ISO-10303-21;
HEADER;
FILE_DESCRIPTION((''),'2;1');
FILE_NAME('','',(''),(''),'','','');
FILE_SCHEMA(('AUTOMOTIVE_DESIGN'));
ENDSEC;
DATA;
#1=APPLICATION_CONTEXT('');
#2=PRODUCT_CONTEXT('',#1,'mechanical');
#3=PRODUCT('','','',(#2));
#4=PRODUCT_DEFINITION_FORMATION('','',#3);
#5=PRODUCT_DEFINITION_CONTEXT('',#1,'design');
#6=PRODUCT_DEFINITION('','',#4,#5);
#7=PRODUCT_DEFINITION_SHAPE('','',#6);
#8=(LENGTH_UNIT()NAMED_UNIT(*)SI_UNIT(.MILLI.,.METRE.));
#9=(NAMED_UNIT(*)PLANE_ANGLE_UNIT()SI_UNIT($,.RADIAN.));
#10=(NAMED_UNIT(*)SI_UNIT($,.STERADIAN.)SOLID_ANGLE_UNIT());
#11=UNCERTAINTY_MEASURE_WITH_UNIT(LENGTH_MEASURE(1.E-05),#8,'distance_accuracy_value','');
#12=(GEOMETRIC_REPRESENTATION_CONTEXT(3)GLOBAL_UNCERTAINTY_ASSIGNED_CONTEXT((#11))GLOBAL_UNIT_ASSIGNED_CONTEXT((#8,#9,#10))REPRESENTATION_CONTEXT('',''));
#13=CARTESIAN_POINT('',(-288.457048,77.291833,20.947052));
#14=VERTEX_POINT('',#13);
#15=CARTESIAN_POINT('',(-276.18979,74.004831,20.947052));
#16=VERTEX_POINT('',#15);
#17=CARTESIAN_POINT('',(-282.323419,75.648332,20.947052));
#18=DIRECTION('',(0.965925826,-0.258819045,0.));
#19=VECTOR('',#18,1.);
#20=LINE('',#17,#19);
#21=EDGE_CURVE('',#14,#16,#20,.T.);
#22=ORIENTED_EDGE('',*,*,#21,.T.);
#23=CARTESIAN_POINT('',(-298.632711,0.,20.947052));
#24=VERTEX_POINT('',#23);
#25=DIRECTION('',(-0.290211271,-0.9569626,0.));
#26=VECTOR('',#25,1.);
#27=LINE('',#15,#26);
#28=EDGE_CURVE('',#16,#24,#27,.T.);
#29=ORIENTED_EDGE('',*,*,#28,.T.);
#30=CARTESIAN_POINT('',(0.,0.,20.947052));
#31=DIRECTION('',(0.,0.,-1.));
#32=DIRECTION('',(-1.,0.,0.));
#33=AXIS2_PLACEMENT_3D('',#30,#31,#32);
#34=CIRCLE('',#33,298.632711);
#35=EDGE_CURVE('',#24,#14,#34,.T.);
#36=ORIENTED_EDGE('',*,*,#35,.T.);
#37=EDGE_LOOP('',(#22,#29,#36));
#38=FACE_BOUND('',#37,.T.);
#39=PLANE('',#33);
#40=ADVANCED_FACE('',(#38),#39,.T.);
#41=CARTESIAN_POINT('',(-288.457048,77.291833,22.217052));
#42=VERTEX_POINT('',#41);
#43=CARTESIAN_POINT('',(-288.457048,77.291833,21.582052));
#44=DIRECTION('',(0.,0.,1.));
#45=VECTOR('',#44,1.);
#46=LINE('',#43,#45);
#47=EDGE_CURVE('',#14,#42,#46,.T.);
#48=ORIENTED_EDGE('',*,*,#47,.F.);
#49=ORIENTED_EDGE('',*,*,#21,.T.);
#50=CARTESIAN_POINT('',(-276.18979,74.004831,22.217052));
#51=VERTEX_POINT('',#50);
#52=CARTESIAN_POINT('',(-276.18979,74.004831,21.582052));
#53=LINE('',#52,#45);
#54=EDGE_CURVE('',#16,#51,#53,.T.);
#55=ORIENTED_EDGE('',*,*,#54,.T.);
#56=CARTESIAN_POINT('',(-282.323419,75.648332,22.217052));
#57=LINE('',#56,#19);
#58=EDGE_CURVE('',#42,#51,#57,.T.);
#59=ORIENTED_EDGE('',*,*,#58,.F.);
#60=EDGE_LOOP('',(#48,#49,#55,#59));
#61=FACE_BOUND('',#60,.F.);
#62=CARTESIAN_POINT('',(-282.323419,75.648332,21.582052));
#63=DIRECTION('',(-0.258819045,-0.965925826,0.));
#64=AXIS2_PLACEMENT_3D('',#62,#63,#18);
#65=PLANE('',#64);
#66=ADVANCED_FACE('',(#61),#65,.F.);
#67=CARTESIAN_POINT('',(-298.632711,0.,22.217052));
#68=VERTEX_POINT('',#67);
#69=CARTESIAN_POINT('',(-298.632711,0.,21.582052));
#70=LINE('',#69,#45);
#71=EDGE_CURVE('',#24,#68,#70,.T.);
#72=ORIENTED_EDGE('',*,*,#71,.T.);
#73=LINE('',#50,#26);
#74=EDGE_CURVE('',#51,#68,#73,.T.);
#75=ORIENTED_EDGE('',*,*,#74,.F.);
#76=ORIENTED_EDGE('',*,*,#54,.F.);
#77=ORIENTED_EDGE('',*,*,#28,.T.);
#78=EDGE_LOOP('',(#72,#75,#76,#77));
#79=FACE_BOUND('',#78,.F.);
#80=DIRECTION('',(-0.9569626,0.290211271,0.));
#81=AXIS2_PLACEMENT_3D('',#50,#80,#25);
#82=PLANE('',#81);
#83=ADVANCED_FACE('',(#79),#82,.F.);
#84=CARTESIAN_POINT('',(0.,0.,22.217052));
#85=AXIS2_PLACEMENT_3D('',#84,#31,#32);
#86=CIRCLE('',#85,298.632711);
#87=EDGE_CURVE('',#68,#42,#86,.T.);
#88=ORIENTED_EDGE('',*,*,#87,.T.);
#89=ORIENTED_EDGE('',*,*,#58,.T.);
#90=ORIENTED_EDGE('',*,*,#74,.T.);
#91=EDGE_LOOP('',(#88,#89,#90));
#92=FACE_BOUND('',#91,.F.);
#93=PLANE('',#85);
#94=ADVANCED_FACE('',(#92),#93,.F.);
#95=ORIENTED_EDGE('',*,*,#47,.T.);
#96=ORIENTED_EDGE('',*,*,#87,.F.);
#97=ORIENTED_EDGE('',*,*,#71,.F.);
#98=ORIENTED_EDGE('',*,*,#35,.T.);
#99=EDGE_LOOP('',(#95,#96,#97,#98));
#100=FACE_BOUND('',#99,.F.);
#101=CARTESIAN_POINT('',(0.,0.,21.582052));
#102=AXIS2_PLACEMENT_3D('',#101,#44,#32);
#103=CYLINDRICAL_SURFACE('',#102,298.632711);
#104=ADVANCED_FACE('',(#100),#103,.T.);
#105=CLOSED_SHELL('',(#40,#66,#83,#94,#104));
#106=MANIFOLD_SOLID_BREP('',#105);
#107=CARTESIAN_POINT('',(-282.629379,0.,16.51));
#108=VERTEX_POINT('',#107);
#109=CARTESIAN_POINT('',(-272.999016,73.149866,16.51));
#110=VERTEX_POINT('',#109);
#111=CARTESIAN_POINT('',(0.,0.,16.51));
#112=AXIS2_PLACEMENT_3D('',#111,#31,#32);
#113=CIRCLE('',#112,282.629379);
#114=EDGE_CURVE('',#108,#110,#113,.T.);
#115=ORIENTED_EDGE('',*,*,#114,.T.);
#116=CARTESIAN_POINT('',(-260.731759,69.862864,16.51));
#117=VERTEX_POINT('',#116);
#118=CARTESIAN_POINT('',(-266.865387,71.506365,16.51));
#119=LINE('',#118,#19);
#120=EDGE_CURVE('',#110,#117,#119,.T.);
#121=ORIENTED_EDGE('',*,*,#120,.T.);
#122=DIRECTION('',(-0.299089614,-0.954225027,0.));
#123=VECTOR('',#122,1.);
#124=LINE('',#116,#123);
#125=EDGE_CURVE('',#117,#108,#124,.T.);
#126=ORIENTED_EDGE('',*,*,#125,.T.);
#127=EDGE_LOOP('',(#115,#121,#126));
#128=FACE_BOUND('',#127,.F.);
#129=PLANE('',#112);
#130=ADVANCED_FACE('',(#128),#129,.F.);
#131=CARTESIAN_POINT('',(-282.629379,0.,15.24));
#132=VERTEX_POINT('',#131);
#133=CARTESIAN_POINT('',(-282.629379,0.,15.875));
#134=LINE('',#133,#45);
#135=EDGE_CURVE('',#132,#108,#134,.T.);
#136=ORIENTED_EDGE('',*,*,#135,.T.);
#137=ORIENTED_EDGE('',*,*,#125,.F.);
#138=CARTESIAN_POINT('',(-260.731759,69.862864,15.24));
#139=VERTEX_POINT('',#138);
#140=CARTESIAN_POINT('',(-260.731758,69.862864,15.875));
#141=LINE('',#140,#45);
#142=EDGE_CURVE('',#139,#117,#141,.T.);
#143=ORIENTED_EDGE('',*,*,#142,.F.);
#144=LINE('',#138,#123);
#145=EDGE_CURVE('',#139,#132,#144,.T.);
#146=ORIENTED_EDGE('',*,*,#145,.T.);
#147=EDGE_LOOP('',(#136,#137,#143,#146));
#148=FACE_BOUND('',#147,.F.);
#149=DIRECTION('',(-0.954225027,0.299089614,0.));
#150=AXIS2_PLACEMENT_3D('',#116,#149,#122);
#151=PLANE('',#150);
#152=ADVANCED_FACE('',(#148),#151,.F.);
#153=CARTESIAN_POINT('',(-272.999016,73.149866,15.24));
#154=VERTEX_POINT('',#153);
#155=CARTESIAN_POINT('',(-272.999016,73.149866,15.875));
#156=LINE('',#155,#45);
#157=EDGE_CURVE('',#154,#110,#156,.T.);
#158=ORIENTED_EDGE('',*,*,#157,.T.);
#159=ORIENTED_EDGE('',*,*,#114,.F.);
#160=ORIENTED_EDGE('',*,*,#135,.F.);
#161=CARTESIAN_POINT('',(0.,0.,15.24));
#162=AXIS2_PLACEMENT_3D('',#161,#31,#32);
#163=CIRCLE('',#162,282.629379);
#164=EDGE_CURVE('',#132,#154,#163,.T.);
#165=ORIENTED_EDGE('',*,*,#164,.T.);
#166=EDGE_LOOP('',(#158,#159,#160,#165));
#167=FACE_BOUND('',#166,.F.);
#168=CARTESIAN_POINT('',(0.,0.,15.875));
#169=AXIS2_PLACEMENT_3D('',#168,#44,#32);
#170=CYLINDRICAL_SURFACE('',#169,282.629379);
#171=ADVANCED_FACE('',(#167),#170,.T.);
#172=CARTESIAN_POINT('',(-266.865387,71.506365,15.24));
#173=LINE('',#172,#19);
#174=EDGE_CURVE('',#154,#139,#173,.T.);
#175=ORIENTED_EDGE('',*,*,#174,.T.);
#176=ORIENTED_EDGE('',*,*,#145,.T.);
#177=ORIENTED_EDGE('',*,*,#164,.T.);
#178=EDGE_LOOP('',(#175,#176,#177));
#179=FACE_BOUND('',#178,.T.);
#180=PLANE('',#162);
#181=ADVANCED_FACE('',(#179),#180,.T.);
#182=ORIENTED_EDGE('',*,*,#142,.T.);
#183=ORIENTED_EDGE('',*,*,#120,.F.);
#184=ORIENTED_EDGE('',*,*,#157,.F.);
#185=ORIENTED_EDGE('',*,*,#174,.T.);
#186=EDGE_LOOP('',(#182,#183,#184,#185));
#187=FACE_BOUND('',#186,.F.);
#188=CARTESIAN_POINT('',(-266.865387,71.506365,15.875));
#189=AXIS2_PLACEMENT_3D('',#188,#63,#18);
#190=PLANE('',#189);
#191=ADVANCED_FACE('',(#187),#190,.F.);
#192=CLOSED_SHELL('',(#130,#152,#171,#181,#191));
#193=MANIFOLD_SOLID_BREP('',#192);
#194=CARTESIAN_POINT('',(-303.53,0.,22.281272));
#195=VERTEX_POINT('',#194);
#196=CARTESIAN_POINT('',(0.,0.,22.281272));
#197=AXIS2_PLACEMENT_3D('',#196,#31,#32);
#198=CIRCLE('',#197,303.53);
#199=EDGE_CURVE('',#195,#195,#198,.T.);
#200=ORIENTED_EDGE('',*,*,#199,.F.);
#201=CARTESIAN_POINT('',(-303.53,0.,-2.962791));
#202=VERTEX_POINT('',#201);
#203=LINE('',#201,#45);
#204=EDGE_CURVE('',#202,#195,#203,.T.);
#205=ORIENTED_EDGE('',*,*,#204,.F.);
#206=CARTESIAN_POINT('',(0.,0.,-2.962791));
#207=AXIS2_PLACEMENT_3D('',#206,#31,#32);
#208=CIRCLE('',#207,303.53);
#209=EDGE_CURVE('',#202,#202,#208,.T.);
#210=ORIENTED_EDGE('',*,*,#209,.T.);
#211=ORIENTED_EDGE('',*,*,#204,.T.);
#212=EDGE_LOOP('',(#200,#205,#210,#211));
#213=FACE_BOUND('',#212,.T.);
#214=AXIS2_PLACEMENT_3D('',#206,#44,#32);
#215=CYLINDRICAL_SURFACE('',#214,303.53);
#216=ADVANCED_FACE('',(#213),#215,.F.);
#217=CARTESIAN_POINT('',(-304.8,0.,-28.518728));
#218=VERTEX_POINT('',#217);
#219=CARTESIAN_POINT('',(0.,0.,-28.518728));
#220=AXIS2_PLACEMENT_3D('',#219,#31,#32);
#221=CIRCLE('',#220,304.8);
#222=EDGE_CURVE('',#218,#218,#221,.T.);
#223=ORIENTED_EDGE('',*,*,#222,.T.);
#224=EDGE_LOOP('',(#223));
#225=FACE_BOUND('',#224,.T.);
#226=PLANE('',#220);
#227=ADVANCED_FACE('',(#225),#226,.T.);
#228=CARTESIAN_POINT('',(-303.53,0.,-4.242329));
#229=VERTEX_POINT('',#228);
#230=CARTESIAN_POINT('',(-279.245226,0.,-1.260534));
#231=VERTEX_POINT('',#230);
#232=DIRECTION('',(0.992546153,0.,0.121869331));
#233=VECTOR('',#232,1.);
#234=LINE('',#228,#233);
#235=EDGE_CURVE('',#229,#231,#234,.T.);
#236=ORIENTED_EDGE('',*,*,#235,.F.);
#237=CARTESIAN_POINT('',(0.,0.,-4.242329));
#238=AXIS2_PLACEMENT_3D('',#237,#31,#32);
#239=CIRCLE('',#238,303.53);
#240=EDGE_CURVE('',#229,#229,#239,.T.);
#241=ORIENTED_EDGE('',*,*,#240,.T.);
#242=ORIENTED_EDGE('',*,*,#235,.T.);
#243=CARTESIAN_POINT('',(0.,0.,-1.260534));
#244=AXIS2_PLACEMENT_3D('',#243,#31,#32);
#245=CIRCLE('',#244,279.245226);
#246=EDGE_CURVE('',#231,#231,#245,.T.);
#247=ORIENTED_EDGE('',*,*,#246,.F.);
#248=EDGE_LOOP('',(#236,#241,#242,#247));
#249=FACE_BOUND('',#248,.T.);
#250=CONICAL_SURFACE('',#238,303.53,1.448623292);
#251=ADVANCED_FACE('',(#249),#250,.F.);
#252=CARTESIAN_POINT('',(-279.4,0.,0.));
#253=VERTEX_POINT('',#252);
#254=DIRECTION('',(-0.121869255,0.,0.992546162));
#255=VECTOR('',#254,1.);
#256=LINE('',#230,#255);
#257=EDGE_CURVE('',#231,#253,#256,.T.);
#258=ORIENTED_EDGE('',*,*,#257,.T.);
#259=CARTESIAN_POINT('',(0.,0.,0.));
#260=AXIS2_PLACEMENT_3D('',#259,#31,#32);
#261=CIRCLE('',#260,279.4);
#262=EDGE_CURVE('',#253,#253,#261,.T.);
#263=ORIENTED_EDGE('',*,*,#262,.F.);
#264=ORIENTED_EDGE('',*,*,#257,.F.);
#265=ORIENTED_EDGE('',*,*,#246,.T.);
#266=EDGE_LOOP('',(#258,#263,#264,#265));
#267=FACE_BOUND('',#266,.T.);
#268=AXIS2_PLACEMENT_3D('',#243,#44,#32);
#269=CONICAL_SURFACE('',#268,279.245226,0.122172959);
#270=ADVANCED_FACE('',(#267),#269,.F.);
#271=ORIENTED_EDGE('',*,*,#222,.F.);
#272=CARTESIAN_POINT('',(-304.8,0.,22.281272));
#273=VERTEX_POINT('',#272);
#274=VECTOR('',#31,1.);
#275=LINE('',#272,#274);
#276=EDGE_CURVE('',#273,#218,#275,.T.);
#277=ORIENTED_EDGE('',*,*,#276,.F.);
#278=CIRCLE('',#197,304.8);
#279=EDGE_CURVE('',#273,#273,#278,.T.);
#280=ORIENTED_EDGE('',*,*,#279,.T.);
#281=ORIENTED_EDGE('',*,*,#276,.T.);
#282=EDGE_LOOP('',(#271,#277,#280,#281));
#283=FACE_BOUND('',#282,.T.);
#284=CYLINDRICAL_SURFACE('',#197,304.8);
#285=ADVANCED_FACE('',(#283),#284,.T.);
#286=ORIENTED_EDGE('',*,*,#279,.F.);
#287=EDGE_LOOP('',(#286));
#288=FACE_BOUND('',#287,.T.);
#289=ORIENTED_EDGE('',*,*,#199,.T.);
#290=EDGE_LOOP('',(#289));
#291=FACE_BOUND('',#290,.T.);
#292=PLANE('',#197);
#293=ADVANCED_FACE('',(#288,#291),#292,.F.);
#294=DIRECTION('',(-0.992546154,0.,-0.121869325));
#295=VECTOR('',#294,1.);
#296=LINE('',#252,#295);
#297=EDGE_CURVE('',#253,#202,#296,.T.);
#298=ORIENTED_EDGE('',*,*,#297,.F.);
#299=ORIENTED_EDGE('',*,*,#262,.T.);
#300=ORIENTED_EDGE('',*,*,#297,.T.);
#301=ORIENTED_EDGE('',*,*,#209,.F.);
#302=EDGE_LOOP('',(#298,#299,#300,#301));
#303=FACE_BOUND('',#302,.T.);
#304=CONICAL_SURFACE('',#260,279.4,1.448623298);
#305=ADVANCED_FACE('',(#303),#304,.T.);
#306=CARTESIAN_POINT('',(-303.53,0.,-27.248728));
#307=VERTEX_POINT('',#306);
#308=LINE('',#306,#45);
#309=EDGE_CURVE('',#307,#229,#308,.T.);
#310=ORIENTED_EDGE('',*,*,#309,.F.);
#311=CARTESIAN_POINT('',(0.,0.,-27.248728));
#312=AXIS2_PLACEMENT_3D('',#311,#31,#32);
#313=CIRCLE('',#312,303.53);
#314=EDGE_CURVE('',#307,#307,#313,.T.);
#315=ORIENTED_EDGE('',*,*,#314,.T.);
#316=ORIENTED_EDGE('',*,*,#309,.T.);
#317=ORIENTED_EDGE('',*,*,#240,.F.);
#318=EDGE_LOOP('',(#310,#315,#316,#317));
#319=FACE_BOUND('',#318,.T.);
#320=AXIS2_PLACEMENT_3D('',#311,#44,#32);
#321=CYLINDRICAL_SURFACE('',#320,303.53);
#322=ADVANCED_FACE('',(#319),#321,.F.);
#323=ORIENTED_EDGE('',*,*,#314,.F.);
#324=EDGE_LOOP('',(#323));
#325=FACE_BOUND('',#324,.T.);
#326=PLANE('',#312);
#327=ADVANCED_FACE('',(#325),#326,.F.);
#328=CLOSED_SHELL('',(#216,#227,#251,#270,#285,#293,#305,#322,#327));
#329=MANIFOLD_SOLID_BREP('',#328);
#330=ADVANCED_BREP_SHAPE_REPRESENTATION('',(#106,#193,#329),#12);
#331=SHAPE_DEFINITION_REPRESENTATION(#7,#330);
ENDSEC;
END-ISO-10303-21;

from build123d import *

# Parameters (mm, degrees)
F3_W     = 12.7
F3_H     = 1.27
F4_ANGLE = 15
F7_DEPTH = 1.27
F8_DEPTH = 1.27


with BuildPart() as f2:
    # F0 (on Front) → F2 (revolve)
    with BuildSketch(Plane.XZ):
        Polygon((-304.8, 22.281272), (-304.8, -3.118728), (-304.8, -28.518728), (0, -28.518728), (0, -27.248728), (-303.53, -27.248728), (-303.53, -4.242329), (-279.245226, -1.260534), (-279.4, 0), (-303.53, -2.962791), (-303.53, 22.281272), align=None)
    revolve(axis=Axis((0, 0, -10.939999), (0, 0, -1)))


with BuildPart() as f4:
    # F3 (on Front) → F4 (revolve)
    with BuildSketch(Plane.XZ):
        with Locations((-276.279379, 15.875)):
            Rectangle(F3_W, F3_H)
        with Locations((-292.282711, 21.582052)):
            Rectangle(F3_W, F3_H)
    revolve(axis=Axis((0, 0, -10.939999), (0, 0, -1)), revolution_arc=F4_ANGLE)

    # F5 (on face) → F7 (cut, through all)
    with BuildSketch(Plane.XY.offset(22.217052)):
        Polygon((-276.18979, 74.004831), (-298.632711, 0), (-285.932711, 0), align=None)
    extrude(amount=-F7_DEPTH, mode=Mode.SUBTRACT)

    # F6 (on face) → F8 (cut, through all)
    with BuildSketch(Plane.XY.offset(16.51)):
        Polygon((-260.731759, 69.862864), (-282.629379, 0), (-269.929379, 0), align=None)
    extrude(amount=-F8_DEPTH, mode=Mode.SUBTRACT)


solid = Compound([f2.part, f4.part])
